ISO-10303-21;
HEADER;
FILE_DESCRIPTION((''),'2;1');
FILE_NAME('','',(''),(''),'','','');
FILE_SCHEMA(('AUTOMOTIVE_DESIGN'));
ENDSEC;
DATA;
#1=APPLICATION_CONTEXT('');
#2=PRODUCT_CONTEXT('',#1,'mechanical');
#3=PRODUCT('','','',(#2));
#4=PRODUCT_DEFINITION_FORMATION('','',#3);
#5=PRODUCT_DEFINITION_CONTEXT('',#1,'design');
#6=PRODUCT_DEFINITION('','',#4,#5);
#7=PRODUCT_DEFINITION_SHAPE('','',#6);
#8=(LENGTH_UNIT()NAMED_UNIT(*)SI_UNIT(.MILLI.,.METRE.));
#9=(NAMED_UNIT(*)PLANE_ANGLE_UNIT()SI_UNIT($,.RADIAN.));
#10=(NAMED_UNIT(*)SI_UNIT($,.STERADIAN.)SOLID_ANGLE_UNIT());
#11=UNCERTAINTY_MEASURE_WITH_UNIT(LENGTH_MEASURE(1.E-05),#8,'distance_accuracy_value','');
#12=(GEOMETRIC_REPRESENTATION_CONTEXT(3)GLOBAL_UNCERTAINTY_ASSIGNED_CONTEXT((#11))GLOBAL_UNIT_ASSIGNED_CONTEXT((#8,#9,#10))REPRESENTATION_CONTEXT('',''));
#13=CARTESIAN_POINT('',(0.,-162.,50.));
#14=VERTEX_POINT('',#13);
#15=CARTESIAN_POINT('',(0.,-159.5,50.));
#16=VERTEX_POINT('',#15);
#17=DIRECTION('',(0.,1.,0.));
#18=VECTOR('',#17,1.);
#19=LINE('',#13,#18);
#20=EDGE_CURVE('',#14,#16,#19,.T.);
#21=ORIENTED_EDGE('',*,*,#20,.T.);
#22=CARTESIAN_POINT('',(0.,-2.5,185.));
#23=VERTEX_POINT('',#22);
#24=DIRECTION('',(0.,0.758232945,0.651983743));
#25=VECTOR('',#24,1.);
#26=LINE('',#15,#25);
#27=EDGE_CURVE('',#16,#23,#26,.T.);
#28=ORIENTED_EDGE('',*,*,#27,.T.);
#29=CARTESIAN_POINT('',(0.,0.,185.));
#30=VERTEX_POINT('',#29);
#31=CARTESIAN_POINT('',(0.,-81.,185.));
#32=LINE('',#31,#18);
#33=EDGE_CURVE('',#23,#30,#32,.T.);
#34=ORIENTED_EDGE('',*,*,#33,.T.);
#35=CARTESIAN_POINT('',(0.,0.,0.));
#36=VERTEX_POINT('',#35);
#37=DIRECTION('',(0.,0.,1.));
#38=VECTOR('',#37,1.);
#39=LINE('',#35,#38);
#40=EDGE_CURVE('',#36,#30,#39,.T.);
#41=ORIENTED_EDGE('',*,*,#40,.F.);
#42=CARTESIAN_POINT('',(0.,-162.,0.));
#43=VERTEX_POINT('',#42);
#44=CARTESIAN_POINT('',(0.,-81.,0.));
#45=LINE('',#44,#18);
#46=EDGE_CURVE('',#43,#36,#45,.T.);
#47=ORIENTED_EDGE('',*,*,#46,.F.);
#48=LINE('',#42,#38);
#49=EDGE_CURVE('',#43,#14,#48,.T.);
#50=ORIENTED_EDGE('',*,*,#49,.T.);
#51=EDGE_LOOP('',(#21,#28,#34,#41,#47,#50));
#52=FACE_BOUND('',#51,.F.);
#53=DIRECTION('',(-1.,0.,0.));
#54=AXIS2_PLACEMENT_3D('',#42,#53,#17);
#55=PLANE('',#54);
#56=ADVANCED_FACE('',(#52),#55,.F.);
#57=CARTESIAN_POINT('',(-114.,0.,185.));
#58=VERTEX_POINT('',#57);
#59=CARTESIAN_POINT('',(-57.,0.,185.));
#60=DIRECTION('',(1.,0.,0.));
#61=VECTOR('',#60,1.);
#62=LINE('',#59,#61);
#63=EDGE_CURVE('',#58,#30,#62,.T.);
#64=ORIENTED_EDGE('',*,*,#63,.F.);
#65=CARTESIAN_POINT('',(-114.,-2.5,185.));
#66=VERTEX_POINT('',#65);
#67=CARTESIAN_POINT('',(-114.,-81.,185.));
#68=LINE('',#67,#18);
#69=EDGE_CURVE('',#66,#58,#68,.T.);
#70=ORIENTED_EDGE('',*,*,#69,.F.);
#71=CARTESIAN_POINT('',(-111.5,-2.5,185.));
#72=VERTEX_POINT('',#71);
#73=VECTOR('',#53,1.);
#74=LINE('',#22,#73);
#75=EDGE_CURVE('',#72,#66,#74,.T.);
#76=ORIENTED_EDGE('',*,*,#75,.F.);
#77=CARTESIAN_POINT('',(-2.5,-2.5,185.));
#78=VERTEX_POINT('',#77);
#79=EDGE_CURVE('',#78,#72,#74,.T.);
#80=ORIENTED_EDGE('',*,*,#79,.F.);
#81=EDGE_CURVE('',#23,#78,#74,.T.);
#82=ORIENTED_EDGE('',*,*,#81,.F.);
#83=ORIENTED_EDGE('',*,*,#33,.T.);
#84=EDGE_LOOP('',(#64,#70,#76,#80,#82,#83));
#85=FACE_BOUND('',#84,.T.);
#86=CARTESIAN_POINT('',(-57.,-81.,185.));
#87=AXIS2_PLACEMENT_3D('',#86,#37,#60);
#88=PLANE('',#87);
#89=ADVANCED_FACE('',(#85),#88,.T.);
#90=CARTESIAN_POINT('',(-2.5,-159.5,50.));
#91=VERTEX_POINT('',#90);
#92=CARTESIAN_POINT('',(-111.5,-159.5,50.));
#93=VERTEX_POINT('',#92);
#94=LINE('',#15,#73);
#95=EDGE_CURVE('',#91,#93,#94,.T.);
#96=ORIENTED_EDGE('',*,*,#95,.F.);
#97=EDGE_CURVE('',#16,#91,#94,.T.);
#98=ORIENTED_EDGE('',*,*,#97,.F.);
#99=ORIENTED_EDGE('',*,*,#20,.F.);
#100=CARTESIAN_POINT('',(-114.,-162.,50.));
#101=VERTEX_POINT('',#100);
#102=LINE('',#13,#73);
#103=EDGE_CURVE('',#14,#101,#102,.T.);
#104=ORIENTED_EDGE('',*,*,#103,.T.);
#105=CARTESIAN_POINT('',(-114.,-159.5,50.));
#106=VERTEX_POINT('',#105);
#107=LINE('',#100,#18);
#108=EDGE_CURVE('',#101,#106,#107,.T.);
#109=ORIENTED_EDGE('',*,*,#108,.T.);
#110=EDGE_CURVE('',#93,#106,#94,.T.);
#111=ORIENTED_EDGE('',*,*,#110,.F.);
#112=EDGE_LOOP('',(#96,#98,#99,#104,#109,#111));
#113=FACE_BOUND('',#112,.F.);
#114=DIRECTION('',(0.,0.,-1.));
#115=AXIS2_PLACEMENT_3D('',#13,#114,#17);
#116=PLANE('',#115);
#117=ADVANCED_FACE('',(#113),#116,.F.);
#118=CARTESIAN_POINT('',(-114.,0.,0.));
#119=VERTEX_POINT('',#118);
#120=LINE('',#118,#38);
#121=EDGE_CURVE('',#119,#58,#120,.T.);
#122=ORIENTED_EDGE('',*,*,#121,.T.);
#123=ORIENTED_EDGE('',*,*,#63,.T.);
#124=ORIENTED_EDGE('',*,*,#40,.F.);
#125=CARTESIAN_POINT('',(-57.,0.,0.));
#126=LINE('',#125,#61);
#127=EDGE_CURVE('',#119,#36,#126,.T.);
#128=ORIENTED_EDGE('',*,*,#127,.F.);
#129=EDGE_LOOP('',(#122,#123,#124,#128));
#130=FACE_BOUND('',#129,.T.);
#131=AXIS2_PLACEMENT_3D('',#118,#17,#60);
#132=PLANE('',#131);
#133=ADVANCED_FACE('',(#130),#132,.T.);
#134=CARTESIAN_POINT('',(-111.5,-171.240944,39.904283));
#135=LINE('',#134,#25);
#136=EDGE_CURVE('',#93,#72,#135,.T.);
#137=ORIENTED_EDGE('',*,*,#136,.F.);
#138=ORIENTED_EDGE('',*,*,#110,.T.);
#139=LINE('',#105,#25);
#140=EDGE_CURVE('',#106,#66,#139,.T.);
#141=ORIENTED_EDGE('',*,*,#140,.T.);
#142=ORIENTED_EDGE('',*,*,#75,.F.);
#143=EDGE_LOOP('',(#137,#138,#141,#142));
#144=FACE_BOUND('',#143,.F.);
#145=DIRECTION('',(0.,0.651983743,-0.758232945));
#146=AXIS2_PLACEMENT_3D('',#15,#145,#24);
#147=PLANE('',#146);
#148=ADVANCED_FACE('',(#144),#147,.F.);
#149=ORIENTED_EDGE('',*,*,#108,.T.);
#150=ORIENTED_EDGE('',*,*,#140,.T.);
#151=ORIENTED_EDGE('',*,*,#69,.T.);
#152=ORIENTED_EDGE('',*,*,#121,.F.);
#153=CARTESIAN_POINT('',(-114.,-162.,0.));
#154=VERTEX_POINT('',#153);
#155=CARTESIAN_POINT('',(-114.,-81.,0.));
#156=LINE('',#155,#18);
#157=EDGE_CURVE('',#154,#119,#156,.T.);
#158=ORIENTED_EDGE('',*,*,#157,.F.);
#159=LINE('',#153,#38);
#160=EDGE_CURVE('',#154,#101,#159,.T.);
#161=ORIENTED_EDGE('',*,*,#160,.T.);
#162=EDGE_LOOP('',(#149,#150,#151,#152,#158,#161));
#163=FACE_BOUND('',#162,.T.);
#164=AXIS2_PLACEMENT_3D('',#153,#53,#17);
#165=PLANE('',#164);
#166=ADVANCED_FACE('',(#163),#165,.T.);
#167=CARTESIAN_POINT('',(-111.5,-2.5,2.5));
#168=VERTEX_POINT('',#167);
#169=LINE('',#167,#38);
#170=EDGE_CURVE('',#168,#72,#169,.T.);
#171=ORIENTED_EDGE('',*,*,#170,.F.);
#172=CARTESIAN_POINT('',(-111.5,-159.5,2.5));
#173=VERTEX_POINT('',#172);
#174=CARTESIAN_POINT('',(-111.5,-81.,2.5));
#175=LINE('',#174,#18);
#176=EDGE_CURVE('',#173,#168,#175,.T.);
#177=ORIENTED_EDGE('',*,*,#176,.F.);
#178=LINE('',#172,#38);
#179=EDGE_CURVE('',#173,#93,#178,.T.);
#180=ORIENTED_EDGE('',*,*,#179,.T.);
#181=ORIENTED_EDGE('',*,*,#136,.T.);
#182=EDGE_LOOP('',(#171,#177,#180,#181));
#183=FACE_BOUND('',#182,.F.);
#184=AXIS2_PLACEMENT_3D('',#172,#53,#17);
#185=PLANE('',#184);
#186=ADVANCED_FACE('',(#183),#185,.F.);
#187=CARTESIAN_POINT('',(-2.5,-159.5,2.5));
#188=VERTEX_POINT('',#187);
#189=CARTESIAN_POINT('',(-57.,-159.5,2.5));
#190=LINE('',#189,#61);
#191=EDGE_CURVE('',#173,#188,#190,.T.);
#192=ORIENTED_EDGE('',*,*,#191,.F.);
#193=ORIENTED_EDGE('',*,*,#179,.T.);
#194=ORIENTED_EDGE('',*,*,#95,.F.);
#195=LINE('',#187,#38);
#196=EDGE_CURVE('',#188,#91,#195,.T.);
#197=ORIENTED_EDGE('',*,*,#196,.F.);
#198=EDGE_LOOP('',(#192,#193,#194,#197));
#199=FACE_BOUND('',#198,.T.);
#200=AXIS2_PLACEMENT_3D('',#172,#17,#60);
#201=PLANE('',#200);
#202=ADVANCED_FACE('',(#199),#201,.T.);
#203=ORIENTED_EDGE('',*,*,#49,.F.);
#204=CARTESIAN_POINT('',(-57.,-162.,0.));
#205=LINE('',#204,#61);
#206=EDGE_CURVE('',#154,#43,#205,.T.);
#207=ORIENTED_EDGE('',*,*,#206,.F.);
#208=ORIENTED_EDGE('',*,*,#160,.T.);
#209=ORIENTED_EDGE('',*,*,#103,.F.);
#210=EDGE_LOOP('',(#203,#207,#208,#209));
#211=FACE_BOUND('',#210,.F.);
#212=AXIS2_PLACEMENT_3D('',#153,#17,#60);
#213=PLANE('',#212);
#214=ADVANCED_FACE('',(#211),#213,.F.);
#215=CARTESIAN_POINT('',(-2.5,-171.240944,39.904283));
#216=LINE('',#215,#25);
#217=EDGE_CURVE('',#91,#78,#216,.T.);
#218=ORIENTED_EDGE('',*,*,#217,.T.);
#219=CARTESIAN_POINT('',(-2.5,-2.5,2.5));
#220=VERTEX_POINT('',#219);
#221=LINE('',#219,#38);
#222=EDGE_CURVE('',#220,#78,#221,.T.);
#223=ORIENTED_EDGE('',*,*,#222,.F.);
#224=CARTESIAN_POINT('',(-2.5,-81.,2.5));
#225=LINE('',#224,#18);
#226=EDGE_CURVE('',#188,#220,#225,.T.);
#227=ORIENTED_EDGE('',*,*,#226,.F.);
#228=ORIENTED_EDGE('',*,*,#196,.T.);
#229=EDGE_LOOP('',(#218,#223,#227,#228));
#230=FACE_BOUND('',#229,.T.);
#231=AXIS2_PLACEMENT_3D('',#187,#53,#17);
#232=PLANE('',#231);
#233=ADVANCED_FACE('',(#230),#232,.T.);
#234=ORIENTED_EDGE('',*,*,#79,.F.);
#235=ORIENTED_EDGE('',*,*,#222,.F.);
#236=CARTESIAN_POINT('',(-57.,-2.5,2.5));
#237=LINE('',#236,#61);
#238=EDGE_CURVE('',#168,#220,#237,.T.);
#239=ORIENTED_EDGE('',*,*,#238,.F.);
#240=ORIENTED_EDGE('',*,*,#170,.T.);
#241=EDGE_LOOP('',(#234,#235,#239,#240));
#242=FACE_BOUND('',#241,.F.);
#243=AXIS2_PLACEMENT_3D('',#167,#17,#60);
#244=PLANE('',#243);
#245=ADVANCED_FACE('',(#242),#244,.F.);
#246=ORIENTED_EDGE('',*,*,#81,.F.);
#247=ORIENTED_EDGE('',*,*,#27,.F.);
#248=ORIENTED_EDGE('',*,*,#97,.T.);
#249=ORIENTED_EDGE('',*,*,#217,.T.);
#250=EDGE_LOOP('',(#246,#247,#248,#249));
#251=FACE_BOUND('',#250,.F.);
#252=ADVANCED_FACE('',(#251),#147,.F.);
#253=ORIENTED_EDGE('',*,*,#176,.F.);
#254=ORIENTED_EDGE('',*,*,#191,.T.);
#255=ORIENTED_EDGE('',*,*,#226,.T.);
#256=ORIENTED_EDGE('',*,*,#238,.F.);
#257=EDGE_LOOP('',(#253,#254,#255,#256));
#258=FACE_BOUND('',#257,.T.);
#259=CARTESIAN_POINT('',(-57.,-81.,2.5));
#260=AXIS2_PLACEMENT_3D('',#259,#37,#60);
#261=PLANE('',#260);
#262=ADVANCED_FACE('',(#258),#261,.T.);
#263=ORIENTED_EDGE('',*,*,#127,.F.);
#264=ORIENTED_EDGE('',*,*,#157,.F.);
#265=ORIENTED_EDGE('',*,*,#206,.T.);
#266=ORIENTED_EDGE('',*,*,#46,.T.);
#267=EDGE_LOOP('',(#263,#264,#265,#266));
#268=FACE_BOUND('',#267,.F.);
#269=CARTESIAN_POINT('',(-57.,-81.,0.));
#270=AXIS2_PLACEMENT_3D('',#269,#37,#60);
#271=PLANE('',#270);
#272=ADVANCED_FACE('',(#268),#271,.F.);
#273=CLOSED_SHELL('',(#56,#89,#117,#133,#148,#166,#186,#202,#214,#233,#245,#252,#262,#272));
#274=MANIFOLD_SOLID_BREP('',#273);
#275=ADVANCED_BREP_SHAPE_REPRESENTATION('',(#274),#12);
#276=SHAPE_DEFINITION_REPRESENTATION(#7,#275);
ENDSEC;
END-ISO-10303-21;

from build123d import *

# Parameters (mm, degrees)
F0_W     = 114
F0_H     = 162
F1_DEPTH = 185
F3_DEPTH = 114
F5_W     = 109
F5_H     = 157
F6_DEPTH = 182.501


with BuildPart() as f1:
    # F0 (on Top) → F1 (new body)
    with BuildSketch(Plane.XY):
        with Locations((-57, -81)):
            Rectangle(F0_W, F0_H)
    extrude(amount=F1_DEPTH)

    # F2 (on Right) → F3 (cut, through all)
    with BuildSketch(Plane.YZ):
        Polygon((-162, 185), (-162, 50), (-159.5, 50), (-2.5, 185), align=None)
    extrude(amount=-F3_DEPTH, mode=Mode.SUBTRACT)

    # F5 (on offset) → F6 (cut, through all)
    with BuildSketch(Plane.XY.offset(2.5)):
        with Locations((-57, -81)):
            Rectangle(F5_W, F5_H)
    extrude(amount=F6_DEPTH, mode=Mode.SUBTRACT)


solid = f1.part
